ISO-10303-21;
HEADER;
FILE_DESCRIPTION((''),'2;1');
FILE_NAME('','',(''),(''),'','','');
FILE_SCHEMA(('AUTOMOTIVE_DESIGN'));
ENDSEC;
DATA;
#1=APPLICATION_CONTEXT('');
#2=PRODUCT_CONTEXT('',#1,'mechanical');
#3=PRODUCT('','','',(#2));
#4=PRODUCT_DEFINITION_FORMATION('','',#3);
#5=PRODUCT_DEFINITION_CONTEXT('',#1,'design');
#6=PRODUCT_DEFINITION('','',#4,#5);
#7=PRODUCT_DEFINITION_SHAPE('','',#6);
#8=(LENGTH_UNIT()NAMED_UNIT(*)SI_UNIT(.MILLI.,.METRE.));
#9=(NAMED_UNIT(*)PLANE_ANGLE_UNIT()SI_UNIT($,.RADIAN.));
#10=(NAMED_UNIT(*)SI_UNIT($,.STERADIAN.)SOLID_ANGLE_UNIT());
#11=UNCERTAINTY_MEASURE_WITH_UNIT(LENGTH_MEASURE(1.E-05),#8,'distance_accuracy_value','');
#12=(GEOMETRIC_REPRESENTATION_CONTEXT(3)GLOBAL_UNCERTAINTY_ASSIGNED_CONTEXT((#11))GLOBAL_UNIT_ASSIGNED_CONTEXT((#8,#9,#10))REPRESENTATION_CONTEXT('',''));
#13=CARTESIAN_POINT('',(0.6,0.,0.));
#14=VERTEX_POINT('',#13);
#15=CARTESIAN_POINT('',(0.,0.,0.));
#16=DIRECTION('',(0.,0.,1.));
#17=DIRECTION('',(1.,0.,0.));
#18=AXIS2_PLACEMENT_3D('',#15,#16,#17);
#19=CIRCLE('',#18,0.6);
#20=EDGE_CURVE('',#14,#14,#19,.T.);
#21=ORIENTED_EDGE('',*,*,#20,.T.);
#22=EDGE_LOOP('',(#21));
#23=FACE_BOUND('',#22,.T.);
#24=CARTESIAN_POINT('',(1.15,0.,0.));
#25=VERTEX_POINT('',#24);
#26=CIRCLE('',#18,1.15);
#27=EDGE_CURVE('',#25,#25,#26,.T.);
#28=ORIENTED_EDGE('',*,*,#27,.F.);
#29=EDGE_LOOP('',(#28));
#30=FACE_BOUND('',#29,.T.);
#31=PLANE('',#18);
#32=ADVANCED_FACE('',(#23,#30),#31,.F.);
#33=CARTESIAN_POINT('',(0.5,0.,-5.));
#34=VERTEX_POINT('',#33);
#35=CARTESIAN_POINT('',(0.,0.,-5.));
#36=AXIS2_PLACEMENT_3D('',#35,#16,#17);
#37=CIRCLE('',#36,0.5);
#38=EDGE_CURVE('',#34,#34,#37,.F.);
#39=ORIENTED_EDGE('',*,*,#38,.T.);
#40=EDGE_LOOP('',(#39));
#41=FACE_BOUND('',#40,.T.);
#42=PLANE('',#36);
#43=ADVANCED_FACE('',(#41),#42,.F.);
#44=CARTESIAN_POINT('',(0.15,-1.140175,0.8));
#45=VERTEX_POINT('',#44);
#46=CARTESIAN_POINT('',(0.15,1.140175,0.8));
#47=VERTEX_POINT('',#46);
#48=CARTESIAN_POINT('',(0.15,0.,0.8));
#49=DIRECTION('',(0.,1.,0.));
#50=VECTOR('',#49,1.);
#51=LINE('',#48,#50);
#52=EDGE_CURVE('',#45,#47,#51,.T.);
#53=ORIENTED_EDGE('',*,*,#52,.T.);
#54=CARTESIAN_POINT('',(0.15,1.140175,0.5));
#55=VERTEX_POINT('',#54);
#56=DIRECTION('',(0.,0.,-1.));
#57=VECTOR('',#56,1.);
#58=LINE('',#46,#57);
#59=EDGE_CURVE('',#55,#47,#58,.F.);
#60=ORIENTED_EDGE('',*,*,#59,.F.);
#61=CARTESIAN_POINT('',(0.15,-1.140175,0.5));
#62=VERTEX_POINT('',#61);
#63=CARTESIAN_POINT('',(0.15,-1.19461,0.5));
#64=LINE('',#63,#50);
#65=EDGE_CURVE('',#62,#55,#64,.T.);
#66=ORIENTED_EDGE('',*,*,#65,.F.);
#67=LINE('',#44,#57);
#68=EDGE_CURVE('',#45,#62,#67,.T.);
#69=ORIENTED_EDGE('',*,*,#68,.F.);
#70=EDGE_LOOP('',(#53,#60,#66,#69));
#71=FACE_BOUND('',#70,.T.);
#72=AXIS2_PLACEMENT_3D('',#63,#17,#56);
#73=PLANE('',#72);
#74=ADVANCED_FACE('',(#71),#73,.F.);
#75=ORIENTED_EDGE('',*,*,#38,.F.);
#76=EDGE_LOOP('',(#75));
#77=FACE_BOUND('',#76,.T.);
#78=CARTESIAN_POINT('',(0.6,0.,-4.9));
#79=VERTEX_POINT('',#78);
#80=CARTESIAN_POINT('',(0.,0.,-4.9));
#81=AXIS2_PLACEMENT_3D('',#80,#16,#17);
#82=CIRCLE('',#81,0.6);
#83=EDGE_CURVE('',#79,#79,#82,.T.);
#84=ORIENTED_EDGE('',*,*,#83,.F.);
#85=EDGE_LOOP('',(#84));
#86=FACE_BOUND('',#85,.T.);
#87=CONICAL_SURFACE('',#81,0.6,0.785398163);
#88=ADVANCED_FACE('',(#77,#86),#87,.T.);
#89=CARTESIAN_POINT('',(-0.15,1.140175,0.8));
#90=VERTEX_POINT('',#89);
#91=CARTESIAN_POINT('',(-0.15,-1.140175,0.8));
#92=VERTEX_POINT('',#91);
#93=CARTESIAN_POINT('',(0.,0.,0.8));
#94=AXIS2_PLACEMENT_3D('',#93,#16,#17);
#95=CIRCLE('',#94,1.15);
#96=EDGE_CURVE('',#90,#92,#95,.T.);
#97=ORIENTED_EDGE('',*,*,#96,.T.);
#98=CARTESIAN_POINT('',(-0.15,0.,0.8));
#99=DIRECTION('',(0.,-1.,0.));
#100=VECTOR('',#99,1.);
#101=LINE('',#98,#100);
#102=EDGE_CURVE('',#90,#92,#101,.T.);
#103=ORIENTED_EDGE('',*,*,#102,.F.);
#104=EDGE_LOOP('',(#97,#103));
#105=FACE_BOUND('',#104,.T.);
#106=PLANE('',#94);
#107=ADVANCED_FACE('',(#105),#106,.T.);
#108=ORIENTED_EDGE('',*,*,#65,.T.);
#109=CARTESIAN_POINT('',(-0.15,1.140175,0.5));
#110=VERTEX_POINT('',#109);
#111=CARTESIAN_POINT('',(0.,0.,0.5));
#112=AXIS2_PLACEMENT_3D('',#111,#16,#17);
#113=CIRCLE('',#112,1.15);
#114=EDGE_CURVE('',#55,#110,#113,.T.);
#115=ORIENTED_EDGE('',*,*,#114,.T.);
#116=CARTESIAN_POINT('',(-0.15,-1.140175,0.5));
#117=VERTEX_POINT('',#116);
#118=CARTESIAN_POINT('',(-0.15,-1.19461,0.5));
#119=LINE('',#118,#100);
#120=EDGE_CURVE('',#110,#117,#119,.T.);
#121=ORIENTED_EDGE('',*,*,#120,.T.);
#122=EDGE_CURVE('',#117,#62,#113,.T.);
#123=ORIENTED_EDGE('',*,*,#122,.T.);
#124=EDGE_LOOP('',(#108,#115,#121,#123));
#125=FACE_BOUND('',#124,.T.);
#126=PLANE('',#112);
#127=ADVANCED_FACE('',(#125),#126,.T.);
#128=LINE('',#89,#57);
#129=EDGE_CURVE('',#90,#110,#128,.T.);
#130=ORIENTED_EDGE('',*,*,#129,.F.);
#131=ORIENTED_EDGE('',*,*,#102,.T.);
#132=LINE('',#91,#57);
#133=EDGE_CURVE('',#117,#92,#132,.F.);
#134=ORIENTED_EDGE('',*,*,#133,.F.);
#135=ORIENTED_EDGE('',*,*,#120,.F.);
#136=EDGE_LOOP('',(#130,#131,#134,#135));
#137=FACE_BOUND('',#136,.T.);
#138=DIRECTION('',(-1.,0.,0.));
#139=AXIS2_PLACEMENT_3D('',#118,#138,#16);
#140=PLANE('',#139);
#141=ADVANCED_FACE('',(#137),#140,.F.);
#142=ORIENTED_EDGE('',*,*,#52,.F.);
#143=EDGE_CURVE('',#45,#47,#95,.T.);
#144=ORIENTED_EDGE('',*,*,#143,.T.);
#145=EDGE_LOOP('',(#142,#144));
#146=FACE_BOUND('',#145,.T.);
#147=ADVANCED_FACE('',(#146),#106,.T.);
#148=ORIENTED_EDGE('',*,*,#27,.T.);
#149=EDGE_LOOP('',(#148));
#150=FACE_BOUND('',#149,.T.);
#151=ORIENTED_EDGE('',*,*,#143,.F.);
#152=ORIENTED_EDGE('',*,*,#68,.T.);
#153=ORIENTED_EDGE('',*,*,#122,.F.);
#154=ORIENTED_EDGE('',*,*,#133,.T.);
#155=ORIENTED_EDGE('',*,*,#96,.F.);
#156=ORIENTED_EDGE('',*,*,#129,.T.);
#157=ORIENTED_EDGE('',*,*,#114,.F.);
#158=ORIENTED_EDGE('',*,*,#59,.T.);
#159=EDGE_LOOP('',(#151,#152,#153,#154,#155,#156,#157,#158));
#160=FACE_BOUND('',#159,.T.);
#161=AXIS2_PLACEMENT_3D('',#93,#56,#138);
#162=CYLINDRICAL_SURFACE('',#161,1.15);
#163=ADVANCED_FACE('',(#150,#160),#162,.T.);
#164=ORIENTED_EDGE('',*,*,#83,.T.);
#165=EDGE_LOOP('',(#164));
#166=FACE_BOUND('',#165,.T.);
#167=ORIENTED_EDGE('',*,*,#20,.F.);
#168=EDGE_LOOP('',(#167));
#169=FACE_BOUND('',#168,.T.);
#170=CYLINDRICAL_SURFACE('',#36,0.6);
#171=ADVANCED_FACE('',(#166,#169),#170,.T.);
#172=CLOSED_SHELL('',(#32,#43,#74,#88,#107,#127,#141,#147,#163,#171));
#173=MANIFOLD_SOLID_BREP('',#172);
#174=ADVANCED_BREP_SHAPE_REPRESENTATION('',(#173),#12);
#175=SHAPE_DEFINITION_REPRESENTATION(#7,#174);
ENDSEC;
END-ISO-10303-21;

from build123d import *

# Parameters (mm, degrees)
SKETCH_1_R          = 1.15
EXTRUDE_1_DEPTH     = 0.8
SKETCH_2_R          = 0.6
EXTRUDE_2_DEPTH     = 5
CHAMFER_1_SIZE      = 0.1
SKETCH_3_W          = 0.3
SKETCH_3_H          = 2.389220408
CUT_EXTRUDE_1_DEPTH = 0.3


with BuildPart() as part:
    # Эскиз1 → Бобышка-Вытянуть1 (new body)
    with BuildSketch(Plane.XY):
        Circle(SKETCH_1_R)
    extrude(amount=EXTRUDE_1_DEPTH)

    # Эскиз2 → Бобышка-Вытянуть2 (add)
    with BuildSketch(Plane.XY):
        Circle(SKETCH_2_R)
    extrude(amount=-EXTRUDE_2_DEPTH)

    # Фаска1
    chamfer_1_edges = [part.edges().sort_by_distance(p)[0] for p in [
        (-0.6, 0, -5),
    ]]
    chamfer(chamfer_1_edges, length=CHAMFER_1_SIZE)

    # Эскиз3 → Вырез-Вытянуть1 (cut)
    with BuildSketch(Plane.XY.offset(0.8)):
        Rectangle(SKETCH_3_W, SKETCH_3_H)
    extrude(amount=-CUT_EXTRUDE_1_DEPTH, mode=Mode.SUBTRACT)


solid = part.part
